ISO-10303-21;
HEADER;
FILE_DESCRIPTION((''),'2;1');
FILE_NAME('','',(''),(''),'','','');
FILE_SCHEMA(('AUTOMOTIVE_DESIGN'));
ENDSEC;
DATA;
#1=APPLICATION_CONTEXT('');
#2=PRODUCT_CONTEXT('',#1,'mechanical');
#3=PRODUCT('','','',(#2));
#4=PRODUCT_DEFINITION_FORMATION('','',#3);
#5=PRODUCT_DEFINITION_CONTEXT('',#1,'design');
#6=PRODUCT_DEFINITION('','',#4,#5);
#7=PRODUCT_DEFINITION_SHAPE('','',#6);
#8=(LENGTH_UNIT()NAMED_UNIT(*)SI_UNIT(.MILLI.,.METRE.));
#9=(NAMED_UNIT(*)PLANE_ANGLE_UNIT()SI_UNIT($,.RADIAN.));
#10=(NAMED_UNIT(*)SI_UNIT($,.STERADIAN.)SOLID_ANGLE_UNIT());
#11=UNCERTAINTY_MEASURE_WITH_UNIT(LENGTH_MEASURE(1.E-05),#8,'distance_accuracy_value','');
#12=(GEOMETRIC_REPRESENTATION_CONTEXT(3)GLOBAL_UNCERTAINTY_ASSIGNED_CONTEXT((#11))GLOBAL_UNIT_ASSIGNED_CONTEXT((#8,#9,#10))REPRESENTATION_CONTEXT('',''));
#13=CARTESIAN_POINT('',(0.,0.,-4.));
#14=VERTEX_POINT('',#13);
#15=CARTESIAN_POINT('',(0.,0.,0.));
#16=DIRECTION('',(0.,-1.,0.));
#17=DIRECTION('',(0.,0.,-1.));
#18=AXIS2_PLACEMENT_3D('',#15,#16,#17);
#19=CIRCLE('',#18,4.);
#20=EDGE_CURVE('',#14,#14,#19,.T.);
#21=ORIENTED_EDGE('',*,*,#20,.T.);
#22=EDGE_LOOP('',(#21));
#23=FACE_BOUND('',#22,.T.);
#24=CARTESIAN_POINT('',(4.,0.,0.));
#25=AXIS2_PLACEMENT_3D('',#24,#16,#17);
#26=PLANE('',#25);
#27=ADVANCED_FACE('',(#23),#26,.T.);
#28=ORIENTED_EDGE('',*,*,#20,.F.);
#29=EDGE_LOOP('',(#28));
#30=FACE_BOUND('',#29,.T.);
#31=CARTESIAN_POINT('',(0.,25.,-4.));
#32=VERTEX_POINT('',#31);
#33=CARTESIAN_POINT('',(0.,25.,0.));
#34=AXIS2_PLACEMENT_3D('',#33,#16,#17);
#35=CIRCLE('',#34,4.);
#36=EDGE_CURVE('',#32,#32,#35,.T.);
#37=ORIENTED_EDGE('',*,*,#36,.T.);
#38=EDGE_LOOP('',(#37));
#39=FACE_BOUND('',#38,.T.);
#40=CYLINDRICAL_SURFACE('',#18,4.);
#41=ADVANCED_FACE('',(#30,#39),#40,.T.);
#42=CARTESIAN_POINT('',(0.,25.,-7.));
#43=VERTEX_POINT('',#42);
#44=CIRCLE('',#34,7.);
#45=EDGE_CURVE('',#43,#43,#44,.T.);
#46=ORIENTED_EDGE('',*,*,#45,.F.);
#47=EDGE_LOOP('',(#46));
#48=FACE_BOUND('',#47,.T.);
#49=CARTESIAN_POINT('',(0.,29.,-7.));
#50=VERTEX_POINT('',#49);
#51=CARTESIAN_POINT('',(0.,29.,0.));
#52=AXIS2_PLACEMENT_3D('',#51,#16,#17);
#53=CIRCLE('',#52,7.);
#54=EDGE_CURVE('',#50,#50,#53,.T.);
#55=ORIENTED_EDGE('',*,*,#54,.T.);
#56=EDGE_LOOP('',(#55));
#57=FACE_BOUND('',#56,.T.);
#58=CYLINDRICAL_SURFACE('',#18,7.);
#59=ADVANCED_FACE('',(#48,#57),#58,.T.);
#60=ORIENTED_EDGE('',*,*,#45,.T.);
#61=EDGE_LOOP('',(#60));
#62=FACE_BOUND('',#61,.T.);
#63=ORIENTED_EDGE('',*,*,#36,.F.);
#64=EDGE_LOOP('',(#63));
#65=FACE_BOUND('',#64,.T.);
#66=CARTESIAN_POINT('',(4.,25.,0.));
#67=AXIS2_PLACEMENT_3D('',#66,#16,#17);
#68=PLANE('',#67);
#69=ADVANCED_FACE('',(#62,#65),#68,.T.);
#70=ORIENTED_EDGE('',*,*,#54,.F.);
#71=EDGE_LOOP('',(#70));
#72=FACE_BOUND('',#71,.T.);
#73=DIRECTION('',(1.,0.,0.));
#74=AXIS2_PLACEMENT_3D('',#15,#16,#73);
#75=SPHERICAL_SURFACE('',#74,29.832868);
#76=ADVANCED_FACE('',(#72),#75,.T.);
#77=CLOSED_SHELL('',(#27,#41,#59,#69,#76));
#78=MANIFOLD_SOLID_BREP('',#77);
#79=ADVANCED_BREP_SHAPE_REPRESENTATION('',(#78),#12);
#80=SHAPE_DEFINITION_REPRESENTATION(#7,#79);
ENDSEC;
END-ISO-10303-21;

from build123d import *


with BuildPart() as part:
    # Skizze1 → Rotation1 (revolve)
    with BuildSketch(Plane.XY, mode=Mode.PRIVATE) as rotation1_sk:
        with BuildLine():
            Line((0, 0), (0, 29.83286778))
            ThreePointArc((0, 29.83286778), (3.524686821, 29.6239191), (7, 29))
            Line((7, 29), (7, 25))
            Line((7, 25), (4, 25))
            Line((4, 25), (4, 0))
            Line((4, 0), (0, 0))
        make_face()
    revolve(rotation1_sk.sketch.rotate(Axis((0, 0, 0), (0, 1, 0)), 90), axis=Axis((0, 0, 0), (0, 1, 0)))  # turned: the seam where the file's is


solid = part.part
